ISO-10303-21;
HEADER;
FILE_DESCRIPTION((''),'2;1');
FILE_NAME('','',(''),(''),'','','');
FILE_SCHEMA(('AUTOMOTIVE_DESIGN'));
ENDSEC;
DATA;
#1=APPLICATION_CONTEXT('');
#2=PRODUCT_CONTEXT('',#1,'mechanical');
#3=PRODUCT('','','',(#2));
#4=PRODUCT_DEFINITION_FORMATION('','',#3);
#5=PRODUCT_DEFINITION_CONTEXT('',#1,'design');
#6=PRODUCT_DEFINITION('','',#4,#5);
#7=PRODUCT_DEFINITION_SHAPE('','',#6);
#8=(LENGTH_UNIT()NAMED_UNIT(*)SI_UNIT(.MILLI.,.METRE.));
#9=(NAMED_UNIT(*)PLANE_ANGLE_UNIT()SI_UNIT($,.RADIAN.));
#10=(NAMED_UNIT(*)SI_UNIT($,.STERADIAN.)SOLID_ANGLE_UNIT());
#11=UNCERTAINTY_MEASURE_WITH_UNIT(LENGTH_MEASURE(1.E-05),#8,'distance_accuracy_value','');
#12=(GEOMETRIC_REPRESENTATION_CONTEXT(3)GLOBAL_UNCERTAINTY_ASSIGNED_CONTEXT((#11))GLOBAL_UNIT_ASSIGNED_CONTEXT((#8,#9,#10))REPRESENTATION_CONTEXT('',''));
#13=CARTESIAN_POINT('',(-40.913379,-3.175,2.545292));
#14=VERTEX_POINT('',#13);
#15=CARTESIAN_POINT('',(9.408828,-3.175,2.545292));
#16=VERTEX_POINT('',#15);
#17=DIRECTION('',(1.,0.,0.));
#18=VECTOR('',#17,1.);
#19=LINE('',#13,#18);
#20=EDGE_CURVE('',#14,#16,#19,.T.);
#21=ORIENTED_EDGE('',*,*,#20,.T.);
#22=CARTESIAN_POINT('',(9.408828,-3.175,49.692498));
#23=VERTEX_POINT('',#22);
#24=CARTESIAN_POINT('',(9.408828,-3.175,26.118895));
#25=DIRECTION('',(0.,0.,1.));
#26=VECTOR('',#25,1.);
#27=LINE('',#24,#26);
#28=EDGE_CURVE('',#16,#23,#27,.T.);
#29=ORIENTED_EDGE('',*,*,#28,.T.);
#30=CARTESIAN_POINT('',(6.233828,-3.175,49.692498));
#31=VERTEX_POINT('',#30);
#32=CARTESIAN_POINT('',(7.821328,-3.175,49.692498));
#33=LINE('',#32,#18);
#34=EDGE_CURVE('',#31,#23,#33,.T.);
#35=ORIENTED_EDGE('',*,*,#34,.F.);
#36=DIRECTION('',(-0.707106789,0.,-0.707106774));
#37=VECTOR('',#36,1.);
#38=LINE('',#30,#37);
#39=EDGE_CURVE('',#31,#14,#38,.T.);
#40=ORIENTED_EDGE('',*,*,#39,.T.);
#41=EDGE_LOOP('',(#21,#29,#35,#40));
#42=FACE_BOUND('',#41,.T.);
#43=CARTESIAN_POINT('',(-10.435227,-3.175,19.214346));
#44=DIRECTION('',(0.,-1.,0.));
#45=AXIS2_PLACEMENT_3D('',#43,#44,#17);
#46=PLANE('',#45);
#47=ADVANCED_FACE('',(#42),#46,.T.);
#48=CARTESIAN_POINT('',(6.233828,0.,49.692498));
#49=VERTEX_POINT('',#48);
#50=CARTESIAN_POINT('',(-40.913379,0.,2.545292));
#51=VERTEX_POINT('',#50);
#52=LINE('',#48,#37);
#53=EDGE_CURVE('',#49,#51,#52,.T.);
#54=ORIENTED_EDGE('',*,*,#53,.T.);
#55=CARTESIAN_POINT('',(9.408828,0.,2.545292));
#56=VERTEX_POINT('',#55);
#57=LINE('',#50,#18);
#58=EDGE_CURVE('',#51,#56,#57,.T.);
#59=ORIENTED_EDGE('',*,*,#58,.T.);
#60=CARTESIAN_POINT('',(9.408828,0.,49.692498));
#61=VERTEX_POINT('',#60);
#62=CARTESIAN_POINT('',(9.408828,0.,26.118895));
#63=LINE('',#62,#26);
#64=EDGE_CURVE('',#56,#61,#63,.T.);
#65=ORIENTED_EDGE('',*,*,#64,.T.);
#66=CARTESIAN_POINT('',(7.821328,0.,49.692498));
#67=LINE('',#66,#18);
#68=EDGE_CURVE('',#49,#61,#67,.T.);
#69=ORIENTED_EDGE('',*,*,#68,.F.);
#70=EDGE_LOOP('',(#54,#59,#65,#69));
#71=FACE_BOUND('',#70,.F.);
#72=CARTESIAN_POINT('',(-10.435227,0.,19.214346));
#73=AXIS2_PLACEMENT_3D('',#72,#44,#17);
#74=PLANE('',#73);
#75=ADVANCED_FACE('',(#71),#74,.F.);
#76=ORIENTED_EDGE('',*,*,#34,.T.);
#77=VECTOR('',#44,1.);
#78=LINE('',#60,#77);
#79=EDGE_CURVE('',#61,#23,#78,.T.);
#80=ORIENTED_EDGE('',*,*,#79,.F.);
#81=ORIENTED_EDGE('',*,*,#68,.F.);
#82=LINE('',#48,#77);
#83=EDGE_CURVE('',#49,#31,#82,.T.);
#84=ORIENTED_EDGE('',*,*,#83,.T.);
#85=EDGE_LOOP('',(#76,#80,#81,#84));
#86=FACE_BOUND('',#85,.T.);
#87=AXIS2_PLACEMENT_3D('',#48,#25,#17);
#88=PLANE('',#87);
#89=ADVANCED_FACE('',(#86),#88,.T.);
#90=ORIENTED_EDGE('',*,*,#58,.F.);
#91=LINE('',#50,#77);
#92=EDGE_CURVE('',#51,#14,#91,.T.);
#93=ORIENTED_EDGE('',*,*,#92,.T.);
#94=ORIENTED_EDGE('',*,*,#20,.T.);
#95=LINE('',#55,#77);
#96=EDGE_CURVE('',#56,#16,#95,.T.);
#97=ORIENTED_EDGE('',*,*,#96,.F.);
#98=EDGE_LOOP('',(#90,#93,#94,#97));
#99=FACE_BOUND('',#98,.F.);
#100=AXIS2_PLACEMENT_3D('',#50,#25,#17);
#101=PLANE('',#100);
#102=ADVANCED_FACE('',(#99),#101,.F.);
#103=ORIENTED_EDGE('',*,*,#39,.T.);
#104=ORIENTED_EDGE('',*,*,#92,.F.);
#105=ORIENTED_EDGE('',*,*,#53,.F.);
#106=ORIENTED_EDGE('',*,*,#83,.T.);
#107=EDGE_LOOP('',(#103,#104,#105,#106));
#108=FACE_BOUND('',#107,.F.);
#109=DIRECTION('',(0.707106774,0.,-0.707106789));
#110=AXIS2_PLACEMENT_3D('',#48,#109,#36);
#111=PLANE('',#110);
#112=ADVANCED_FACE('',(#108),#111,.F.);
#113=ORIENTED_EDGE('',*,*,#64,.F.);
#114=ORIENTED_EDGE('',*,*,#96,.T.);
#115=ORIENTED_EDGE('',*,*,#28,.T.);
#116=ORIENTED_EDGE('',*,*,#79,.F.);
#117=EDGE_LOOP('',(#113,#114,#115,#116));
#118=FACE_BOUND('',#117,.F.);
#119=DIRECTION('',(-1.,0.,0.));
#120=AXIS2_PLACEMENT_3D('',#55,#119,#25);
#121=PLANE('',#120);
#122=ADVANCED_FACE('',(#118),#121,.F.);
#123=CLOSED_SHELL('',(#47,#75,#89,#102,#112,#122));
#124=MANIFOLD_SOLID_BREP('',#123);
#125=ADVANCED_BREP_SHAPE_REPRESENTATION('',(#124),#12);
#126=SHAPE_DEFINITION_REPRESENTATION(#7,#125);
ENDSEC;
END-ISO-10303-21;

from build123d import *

# Parameters (mm, degrees)
F0_W     = 3.175
F0_H     = 47.147206
F1_DEPTH = 3.175


with BuildPart() as f1:
    # F0 (on Front) → F1 (new body)
    with BuildSketch(Plane.XZ):
        Polygon((6.233828, 49.692498), (-40.913379, 2.545292), (6.233828, 2.545292), align=None)
        with Locations((7.821328, 26.118895)):
            Rectangle(F0_W, F0_H)
    extrude(amount=F1_DEPTH)


solid = f1.part
